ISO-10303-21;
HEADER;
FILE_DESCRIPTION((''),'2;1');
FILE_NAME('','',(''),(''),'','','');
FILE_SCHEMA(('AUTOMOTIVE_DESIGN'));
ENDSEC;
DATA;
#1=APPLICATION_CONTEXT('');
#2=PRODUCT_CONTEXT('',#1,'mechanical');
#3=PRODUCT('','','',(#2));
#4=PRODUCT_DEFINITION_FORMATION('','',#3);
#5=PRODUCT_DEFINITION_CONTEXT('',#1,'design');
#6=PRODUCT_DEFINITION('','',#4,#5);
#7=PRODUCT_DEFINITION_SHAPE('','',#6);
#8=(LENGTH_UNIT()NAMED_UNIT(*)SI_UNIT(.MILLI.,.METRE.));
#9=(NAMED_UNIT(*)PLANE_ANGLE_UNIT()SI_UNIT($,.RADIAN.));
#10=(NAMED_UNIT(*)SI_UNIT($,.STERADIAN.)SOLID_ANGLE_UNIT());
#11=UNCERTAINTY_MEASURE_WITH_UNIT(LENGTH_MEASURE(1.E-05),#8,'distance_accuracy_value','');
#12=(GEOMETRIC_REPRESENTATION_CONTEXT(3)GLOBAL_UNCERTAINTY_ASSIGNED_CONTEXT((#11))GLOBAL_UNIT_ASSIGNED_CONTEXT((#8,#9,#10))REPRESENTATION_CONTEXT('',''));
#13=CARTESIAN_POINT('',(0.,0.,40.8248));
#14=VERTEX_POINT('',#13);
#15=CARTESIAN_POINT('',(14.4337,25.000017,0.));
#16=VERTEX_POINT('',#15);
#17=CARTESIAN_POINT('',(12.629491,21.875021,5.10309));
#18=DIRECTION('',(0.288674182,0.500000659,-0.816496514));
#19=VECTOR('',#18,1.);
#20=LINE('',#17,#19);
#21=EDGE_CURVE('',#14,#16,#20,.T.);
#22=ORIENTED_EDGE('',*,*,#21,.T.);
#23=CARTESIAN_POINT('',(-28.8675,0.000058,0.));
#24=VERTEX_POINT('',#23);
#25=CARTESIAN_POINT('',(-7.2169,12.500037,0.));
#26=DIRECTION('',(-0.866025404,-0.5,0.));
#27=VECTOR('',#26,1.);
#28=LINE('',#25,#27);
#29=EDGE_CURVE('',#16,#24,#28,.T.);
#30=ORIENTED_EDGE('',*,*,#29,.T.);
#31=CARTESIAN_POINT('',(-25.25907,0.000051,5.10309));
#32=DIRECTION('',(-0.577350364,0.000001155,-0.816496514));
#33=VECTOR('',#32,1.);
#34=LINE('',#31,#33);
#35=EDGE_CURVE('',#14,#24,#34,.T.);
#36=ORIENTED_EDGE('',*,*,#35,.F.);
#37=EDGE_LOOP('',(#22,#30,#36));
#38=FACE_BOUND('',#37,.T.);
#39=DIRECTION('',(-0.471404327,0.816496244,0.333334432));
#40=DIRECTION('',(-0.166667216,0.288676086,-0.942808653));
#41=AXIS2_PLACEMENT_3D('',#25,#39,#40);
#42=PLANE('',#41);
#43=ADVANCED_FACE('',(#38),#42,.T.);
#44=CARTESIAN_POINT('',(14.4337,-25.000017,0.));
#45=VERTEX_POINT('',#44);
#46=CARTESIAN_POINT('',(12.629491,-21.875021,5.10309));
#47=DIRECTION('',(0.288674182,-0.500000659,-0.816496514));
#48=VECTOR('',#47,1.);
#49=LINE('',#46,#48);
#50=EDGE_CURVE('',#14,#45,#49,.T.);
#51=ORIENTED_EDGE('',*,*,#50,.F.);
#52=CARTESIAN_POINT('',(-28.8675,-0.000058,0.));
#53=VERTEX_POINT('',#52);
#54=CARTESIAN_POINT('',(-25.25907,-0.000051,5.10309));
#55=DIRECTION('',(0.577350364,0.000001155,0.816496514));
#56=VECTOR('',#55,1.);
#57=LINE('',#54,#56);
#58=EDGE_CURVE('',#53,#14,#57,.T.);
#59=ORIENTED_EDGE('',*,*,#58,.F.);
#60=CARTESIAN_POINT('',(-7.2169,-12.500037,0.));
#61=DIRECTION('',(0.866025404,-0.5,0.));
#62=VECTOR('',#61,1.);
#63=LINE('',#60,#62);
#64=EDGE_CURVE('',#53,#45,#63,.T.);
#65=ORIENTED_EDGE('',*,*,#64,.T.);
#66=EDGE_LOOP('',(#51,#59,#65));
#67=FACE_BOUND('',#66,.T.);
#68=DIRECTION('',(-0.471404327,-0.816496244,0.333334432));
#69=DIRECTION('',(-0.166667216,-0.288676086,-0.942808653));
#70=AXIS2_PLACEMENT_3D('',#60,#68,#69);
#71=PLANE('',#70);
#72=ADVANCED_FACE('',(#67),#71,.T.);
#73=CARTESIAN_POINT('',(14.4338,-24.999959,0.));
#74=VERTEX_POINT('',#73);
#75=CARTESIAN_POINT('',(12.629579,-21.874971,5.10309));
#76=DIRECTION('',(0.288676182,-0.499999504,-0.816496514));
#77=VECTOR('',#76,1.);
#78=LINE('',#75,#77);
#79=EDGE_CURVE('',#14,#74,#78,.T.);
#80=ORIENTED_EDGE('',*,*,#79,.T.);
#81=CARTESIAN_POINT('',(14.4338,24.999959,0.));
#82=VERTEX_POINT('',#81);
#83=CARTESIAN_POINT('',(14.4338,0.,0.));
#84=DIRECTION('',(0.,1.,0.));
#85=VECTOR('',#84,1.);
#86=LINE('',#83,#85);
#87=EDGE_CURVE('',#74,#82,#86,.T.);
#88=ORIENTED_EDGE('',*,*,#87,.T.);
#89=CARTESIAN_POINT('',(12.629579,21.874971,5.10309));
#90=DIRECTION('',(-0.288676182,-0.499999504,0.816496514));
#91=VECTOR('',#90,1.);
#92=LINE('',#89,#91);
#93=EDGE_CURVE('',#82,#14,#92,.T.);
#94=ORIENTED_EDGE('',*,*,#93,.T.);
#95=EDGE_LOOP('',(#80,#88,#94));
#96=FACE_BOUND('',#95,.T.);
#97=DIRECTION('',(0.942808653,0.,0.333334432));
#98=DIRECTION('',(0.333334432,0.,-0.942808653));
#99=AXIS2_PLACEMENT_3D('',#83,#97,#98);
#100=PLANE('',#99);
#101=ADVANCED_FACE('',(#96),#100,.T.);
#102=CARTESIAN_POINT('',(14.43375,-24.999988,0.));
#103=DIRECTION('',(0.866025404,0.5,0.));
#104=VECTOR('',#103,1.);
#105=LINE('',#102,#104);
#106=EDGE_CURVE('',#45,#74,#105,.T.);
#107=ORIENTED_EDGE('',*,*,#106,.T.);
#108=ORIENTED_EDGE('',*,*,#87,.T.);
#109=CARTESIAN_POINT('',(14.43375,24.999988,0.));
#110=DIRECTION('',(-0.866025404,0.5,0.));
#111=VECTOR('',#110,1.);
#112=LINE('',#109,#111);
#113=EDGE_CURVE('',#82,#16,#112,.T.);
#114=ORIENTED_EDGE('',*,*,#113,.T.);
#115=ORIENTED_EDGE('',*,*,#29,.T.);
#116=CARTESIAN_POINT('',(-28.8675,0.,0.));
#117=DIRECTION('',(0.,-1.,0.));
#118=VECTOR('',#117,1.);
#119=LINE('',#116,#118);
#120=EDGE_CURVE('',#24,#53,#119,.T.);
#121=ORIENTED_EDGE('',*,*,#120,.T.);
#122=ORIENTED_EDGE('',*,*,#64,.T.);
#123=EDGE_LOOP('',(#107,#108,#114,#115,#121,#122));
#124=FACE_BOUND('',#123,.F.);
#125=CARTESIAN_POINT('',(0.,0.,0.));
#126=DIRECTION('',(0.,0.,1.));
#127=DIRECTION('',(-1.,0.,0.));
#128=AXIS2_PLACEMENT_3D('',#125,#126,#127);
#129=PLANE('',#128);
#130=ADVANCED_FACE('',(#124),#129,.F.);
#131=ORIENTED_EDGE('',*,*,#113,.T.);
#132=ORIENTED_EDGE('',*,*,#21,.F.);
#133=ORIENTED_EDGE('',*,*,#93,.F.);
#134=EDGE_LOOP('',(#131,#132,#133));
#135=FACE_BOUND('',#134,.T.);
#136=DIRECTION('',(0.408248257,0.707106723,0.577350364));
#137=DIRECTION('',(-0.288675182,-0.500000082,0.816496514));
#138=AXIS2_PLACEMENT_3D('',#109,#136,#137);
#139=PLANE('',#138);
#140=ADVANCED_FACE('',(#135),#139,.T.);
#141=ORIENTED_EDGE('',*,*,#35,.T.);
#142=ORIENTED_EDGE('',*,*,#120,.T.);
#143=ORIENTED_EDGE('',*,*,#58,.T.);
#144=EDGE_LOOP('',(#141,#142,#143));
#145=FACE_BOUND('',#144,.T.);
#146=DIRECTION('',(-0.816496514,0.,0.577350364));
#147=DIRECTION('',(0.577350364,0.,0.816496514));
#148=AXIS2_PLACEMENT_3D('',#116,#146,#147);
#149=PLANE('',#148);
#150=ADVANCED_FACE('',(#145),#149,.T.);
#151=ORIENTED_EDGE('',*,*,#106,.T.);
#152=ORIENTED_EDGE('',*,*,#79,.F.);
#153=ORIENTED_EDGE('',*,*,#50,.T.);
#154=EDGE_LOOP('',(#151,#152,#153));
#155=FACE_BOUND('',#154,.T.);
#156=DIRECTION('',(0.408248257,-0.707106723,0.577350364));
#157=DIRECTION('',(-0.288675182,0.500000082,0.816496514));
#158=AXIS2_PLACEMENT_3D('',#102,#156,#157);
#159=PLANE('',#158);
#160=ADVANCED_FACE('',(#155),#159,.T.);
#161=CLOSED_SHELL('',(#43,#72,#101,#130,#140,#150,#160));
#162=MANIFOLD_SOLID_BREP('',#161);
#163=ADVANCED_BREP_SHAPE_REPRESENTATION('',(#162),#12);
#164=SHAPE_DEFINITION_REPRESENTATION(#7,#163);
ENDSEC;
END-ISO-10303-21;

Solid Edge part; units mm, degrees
sketch "Sketch1" plane through (0, 0, 0) normal (0, -1, 0) x (1, 0, 0)
  arc A0 (0, 75) -> (-75, 0) centre (0, 0) ccw
  line L0 (-75, 0) -> (0, 0)
  line L1 (0, 0) -> (0, 75)
revolve "RevolvedProtrusion1" add sketch "Sketch1" angle 360 about axis through (0, 0, 0) along (0, 0, 1)
sketch "Sketch2" plane through (0, 0, 0) normal (0, -1, 0) x (1, 0, 0)
  line L0 (0, 40.8248) -> (14.4338, 0)
  line L1 (-28.8675, 0) -> (0, 40.8248)
extrude "Cutout1" cut sketch "Sketch2" along normal through all and the other way through all material side at (7.264, 0, 20.4291)
pattern_circular "Pattern1" count 3 over 360 about axis through (0, 0, 0) along (0, 0, 1) of "Cutout1"
